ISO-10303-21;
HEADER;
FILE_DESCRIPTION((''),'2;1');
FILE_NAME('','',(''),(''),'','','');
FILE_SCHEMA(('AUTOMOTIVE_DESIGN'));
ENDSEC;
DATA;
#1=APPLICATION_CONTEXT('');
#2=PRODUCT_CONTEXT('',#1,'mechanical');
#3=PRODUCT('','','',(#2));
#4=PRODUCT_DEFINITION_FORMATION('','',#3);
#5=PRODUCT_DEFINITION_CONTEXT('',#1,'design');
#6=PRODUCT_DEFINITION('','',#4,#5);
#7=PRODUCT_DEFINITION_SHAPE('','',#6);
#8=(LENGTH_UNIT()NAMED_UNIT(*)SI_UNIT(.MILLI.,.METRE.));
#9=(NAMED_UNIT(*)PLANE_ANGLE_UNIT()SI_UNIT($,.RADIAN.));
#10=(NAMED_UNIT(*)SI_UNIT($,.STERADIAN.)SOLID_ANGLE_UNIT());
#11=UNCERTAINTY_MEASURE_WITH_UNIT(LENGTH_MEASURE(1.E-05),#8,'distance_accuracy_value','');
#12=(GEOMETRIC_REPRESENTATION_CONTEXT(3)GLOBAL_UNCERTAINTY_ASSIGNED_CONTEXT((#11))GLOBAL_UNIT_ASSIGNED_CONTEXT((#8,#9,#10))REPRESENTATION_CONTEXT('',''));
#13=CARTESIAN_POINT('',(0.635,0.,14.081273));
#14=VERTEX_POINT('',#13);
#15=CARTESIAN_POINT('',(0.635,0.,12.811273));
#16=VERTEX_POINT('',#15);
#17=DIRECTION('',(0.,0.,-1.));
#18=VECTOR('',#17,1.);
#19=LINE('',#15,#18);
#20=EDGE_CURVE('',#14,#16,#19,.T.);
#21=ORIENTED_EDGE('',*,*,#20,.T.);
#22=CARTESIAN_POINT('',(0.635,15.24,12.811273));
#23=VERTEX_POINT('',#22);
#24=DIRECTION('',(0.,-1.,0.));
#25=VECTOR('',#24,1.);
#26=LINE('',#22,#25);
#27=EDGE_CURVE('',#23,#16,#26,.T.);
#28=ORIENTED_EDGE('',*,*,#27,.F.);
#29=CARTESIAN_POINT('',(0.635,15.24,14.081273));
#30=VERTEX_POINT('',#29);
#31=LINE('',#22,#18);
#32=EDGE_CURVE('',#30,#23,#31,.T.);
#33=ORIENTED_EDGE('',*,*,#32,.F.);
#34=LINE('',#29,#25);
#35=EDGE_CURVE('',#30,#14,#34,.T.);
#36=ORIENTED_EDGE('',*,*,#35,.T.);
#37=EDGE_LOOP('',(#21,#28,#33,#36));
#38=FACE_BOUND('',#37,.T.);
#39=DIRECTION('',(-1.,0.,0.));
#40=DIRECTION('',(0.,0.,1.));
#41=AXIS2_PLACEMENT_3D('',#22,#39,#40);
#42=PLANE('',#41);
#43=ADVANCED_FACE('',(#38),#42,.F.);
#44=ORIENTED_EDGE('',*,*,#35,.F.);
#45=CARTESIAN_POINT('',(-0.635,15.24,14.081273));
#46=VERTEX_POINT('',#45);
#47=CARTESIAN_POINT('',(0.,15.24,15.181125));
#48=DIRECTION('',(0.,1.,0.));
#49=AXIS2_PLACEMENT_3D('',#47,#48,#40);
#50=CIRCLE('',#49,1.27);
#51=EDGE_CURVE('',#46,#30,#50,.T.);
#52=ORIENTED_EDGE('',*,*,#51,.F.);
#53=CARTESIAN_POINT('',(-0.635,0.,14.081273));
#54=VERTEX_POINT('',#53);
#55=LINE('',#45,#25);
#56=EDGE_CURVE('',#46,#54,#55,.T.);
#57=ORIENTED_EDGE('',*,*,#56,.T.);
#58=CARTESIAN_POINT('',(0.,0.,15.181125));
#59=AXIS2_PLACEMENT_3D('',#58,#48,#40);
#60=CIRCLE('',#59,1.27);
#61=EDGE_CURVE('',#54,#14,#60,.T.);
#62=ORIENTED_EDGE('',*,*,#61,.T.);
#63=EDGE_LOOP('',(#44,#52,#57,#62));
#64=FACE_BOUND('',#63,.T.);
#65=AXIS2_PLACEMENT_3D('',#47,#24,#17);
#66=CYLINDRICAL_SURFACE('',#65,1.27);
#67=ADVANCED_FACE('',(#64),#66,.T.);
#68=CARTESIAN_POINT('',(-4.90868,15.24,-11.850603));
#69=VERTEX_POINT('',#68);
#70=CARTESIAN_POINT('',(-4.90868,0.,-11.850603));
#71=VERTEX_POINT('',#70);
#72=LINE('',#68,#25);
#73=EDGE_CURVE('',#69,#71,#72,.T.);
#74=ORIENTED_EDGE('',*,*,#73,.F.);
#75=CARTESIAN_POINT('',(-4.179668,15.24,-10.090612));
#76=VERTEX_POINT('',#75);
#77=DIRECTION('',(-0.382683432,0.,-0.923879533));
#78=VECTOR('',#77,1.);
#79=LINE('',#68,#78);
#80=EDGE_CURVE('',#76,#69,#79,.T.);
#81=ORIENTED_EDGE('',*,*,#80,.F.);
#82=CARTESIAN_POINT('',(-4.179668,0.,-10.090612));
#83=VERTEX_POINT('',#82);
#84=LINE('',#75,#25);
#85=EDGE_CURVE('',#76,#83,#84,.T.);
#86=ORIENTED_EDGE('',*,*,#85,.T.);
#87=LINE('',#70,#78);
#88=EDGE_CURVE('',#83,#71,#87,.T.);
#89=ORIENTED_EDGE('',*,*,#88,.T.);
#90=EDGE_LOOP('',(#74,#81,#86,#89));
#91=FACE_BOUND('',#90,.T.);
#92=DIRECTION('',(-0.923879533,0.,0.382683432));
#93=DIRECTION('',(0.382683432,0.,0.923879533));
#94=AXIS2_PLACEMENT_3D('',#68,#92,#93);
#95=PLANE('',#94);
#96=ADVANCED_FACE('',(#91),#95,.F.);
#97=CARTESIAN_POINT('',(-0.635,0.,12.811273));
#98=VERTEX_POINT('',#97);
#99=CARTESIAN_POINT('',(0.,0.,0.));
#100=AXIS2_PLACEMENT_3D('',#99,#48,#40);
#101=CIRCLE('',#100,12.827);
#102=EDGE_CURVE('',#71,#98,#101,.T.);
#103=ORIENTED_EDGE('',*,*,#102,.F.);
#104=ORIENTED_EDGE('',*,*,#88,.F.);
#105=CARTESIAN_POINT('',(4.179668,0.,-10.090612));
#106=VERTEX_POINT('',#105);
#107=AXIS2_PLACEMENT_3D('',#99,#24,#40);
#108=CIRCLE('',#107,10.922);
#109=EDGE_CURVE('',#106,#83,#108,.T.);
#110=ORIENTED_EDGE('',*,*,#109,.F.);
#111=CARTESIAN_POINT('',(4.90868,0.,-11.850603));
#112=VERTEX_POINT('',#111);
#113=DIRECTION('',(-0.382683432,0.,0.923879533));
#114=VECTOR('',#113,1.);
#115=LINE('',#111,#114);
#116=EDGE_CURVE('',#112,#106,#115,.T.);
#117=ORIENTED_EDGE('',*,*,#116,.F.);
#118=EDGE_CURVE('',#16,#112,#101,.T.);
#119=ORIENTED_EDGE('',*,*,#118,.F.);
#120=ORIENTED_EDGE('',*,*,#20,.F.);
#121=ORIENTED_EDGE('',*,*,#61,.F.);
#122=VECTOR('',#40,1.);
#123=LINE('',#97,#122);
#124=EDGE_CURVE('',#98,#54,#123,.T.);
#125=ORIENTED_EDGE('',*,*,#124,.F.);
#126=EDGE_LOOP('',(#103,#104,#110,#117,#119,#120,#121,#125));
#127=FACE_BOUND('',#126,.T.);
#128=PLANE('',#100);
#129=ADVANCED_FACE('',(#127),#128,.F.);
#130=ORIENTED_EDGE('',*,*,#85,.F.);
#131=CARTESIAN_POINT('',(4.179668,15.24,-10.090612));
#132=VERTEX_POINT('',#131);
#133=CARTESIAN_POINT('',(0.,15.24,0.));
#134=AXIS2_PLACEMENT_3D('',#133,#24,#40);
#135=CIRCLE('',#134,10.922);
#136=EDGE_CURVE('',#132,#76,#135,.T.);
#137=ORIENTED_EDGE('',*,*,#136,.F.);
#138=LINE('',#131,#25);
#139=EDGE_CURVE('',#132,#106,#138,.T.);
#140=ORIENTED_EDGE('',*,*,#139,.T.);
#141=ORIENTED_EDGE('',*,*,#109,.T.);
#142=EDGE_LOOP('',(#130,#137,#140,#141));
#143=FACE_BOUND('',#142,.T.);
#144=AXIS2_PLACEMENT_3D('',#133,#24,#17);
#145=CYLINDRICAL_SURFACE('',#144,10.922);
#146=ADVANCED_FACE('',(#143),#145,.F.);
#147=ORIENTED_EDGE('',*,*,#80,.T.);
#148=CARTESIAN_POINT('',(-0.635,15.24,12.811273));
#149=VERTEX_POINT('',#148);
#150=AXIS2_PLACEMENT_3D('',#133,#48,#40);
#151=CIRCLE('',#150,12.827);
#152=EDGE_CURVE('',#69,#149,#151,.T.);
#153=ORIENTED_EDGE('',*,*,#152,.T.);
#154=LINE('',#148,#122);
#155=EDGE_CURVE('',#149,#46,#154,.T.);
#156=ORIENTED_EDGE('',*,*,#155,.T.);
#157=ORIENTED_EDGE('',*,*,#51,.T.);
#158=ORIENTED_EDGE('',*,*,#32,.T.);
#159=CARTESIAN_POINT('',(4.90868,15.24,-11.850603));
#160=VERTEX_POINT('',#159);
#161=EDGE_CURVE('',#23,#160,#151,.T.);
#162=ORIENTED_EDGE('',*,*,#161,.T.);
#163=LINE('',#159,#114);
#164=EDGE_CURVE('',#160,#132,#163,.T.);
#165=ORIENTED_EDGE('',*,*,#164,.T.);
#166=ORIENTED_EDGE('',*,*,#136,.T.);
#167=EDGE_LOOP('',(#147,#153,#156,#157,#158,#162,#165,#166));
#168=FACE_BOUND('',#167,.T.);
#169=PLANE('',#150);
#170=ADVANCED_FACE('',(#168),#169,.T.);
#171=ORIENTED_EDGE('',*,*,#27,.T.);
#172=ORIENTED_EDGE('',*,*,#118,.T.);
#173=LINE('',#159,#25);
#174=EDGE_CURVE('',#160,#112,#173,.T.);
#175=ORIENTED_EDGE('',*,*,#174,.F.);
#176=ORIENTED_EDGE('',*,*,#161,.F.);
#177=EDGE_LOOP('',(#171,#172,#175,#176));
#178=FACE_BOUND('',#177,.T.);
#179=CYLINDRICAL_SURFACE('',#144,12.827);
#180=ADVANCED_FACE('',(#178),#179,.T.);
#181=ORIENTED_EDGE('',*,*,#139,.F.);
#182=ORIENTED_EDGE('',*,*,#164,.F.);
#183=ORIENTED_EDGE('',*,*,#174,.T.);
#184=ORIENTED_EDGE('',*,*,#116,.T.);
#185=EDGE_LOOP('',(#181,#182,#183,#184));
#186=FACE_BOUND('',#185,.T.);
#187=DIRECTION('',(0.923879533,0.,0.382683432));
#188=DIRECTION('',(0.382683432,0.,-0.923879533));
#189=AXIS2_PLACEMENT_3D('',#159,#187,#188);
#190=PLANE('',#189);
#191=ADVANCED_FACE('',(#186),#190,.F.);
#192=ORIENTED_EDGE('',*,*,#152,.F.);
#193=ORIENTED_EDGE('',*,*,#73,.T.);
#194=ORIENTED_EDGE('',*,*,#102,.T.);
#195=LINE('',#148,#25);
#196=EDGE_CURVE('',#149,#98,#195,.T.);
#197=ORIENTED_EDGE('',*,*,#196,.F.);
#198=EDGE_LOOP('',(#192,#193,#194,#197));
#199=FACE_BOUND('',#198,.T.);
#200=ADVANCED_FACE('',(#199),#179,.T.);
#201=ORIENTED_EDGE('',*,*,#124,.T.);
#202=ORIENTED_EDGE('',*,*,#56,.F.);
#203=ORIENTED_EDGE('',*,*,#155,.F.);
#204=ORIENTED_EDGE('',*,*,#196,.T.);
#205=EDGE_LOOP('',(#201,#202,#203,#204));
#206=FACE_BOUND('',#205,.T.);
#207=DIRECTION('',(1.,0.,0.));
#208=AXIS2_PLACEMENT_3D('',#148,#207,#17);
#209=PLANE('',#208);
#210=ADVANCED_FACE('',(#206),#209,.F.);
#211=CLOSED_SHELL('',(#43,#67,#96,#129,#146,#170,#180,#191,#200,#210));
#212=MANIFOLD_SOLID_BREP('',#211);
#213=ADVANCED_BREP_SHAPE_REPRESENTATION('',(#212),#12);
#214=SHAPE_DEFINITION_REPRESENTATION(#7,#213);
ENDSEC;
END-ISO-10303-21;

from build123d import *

# Parameters (mm, degrees)
BOSS_EXTRUDE1_DEPTH = 15.24


with BuildPart() as part:
    # Sketch1 → Boss-Extrude1 (new body)
    with BuildSketch(Plane(origin=(0, 0, 0), x_dir=(1, 0, 0), z_dir=(0, 1, 0))):
        with BuildLine():
            Line((-4.908680387, 11.850602764), (-4.179668448, 10.090612254))
            ThreePointArc((-4.179668448, 10.090612254), (0, -10.922), (4.179668448, 10.090612254))
            Line((4.179668448, 10.090612254), (4.908680387, 11.850602764))
            ThreePointArc((4.908680387, 11.850602764), (12.638636057, -2.19016155), (0.635, -12.811272536))
            Line((0.635, -12.811272536), (0.635, -14.081272536))
            ThreePointArc((0.635, -14.081272536), (0, -16.451124799), (-0.635, -14.081272536))
            Line((-0.635, -14.081272536), (-0.635, -12.811272536))
            ThreePointArc((-0.635, -12.811272536), (-12.638636057, -2.19016155), (-4.908680387, 11.850602764))
        make_face()
    extrude(amount=BOSS_EXTRUDE1_DEPTH)


solid = part.part
